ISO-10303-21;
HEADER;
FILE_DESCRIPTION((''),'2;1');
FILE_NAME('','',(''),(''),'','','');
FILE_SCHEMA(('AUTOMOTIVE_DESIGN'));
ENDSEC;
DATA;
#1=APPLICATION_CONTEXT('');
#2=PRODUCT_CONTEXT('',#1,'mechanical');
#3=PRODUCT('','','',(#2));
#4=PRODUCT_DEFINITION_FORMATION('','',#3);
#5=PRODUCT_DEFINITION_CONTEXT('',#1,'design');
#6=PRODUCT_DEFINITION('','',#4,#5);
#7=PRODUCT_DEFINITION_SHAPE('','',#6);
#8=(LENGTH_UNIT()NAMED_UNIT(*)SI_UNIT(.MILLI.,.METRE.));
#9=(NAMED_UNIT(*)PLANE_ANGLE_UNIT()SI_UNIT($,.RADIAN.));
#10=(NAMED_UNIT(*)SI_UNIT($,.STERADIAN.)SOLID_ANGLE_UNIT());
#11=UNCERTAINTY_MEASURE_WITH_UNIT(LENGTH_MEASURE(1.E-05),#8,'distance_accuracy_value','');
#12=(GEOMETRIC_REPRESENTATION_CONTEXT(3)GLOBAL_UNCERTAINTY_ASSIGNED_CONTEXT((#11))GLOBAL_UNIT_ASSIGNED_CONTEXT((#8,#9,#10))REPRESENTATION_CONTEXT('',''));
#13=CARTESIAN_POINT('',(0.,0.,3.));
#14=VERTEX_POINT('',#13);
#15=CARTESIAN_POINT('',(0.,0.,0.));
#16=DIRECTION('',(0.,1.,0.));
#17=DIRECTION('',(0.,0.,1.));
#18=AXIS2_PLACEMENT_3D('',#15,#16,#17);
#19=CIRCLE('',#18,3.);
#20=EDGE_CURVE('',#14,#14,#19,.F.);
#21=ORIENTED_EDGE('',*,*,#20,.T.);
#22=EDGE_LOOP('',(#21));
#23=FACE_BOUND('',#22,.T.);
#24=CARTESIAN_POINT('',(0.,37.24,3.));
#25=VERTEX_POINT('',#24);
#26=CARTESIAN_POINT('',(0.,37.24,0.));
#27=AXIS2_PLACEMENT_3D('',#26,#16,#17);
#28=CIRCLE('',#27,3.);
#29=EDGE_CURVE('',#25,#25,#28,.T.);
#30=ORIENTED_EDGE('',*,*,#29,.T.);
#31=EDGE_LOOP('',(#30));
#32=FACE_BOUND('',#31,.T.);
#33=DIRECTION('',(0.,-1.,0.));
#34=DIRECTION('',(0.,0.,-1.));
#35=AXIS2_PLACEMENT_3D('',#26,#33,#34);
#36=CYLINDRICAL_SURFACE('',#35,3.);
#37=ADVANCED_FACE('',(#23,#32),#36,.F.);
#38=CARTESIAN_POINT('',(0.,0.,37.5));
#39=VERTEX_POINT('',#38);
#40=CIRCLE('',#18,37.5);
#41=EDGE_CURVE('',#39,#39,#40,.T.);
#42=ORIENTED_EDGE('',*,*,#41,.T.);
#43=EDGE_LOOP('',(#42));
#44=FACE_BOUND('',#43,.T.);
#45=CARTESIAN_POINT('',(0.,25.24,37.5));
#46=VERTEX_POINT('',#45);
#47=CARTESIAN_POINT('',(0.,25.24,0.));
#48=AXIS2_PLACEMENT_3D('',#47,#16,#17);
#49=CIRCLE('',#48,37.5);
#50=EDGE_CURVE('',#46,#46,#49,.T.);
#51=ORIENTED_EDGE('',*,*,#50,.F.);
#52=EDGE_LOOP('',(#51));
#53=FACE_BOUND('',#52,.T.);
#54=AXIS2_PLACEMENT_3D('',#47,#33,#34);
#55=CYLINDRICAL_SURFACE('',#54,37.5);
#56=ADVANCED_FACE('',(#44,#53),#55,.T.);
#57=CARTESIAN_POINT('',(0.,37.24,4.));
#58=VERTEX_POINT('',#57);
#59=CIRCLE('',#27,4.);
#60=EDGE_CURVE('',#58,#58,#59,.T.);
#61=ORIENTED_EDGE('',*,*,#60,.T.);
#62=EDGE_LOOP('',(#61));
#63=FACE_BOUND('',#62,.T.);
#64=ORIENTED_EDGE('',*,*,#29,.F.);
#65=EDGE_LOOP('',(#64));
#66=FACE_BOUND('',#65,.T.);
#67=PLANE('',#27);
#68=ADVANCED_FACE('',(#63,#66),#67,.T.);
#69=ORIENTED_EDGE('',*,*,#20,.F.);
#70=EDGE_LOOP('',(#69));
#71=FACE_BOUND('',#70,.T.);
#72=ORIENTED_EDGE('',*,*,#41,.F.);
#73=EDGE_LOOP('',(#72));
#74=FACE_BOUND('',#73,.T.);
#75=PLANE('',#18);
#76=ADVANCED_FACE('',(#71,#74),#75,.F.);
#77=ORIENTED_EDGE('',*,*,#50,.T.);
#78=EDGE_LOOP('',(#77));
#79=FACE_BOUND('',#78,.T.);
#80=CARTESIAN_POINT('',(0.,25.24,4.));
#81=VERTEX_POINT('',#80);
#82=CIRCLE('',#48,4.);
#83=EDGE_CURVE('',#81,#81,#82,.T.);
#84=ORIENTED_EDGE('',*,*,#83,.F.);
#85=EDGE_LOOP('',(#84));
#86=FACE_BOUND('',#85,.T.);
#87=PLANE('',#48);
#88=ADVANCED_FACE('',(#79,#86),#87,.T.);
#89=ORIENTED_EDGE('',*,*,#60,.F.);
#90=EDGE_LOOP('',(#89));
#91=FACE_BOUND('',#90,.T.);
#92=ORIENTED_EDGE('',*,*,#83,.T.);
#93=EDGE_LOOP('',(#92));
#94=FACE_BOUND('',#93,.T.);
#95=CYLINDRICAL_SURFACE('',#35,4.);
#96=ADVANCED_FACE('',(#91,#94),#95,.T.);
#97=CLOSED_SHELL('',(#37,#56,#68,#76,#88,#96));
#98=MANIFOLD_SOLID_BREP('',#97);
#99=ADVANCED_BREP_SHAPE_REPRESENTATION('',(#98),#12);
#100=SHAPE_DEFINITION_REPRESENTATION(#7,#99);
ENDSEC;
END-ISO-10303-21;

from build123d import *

# Parameters (mm, degrees)
SKETCH_1_R          = 37.5
EXTRUDE_1_DEPTH     = 25.24
SKETCH_2_R          = 4
SKETCH_2_R_2        = 3
EXTRUDE_2_DEPTH     = 12
CUT_EXTRUDE_1_REACH = 60.733
SKETCH_3_R          = 3


with BuildPart() as part:
    # 草图1 → 凸台-拉伸1 (new body)
    with BuildSketch(Plane(origin=(0, 0, 0), x_dir=(1, 0, 0), z_dir=(0, 1, 0))):
        with Locations(Location((0, 0, 0), (0, 0, 270))):
            Circle(SKETCH_1_R)
    extrude(amount=EXTRUDE_1_DEPTH)

    # 草图2 → 凸台-拉伸2 (add)
    with BuildSketch(Plane(origin=(0, 25.24, 0), x_dir=(1, 0, 0), z_dir=(0, 1, 0))):
        with Locations(Location((0, 0, 0), (0, 0, 270))):
            Circle(SKETCH_2_R)
        with Locations(Location((0, 0, 0), (0, 0, 270))):
            Circle(SKETCH_2_R_2, mode=Mode.SUBTRACT)
    extrude(amount=EXTRUDE_2_DEPTH)

    # 草图3 → 切除-拉伸1 (cut, up to next)
    with BuildSketch(Plane(origin=(0, 25.24, 0), x_dir=(1, 0, 0), z_dir=(0, 1, 0)), mode=Mode.PRIVATE) as cut_extrude_1_sk1:
        with Locations(Location((0, 0, 0), (0, 0, 270))):
            Circle(SKETCH_3_R)
    cut_extrude_1_tool1 = extrude(cut_extrude_1_sk1.sketch, amount=-CUT_EXTRUDE_1_REACH, mode=Mode.PRIVATE) & part.part
    add(cut_extrude_1_tool1.solids().sort_by_distance((0, 25.24, 0))[0], mode=Mode.SUBTRACT)


solid = part.part
